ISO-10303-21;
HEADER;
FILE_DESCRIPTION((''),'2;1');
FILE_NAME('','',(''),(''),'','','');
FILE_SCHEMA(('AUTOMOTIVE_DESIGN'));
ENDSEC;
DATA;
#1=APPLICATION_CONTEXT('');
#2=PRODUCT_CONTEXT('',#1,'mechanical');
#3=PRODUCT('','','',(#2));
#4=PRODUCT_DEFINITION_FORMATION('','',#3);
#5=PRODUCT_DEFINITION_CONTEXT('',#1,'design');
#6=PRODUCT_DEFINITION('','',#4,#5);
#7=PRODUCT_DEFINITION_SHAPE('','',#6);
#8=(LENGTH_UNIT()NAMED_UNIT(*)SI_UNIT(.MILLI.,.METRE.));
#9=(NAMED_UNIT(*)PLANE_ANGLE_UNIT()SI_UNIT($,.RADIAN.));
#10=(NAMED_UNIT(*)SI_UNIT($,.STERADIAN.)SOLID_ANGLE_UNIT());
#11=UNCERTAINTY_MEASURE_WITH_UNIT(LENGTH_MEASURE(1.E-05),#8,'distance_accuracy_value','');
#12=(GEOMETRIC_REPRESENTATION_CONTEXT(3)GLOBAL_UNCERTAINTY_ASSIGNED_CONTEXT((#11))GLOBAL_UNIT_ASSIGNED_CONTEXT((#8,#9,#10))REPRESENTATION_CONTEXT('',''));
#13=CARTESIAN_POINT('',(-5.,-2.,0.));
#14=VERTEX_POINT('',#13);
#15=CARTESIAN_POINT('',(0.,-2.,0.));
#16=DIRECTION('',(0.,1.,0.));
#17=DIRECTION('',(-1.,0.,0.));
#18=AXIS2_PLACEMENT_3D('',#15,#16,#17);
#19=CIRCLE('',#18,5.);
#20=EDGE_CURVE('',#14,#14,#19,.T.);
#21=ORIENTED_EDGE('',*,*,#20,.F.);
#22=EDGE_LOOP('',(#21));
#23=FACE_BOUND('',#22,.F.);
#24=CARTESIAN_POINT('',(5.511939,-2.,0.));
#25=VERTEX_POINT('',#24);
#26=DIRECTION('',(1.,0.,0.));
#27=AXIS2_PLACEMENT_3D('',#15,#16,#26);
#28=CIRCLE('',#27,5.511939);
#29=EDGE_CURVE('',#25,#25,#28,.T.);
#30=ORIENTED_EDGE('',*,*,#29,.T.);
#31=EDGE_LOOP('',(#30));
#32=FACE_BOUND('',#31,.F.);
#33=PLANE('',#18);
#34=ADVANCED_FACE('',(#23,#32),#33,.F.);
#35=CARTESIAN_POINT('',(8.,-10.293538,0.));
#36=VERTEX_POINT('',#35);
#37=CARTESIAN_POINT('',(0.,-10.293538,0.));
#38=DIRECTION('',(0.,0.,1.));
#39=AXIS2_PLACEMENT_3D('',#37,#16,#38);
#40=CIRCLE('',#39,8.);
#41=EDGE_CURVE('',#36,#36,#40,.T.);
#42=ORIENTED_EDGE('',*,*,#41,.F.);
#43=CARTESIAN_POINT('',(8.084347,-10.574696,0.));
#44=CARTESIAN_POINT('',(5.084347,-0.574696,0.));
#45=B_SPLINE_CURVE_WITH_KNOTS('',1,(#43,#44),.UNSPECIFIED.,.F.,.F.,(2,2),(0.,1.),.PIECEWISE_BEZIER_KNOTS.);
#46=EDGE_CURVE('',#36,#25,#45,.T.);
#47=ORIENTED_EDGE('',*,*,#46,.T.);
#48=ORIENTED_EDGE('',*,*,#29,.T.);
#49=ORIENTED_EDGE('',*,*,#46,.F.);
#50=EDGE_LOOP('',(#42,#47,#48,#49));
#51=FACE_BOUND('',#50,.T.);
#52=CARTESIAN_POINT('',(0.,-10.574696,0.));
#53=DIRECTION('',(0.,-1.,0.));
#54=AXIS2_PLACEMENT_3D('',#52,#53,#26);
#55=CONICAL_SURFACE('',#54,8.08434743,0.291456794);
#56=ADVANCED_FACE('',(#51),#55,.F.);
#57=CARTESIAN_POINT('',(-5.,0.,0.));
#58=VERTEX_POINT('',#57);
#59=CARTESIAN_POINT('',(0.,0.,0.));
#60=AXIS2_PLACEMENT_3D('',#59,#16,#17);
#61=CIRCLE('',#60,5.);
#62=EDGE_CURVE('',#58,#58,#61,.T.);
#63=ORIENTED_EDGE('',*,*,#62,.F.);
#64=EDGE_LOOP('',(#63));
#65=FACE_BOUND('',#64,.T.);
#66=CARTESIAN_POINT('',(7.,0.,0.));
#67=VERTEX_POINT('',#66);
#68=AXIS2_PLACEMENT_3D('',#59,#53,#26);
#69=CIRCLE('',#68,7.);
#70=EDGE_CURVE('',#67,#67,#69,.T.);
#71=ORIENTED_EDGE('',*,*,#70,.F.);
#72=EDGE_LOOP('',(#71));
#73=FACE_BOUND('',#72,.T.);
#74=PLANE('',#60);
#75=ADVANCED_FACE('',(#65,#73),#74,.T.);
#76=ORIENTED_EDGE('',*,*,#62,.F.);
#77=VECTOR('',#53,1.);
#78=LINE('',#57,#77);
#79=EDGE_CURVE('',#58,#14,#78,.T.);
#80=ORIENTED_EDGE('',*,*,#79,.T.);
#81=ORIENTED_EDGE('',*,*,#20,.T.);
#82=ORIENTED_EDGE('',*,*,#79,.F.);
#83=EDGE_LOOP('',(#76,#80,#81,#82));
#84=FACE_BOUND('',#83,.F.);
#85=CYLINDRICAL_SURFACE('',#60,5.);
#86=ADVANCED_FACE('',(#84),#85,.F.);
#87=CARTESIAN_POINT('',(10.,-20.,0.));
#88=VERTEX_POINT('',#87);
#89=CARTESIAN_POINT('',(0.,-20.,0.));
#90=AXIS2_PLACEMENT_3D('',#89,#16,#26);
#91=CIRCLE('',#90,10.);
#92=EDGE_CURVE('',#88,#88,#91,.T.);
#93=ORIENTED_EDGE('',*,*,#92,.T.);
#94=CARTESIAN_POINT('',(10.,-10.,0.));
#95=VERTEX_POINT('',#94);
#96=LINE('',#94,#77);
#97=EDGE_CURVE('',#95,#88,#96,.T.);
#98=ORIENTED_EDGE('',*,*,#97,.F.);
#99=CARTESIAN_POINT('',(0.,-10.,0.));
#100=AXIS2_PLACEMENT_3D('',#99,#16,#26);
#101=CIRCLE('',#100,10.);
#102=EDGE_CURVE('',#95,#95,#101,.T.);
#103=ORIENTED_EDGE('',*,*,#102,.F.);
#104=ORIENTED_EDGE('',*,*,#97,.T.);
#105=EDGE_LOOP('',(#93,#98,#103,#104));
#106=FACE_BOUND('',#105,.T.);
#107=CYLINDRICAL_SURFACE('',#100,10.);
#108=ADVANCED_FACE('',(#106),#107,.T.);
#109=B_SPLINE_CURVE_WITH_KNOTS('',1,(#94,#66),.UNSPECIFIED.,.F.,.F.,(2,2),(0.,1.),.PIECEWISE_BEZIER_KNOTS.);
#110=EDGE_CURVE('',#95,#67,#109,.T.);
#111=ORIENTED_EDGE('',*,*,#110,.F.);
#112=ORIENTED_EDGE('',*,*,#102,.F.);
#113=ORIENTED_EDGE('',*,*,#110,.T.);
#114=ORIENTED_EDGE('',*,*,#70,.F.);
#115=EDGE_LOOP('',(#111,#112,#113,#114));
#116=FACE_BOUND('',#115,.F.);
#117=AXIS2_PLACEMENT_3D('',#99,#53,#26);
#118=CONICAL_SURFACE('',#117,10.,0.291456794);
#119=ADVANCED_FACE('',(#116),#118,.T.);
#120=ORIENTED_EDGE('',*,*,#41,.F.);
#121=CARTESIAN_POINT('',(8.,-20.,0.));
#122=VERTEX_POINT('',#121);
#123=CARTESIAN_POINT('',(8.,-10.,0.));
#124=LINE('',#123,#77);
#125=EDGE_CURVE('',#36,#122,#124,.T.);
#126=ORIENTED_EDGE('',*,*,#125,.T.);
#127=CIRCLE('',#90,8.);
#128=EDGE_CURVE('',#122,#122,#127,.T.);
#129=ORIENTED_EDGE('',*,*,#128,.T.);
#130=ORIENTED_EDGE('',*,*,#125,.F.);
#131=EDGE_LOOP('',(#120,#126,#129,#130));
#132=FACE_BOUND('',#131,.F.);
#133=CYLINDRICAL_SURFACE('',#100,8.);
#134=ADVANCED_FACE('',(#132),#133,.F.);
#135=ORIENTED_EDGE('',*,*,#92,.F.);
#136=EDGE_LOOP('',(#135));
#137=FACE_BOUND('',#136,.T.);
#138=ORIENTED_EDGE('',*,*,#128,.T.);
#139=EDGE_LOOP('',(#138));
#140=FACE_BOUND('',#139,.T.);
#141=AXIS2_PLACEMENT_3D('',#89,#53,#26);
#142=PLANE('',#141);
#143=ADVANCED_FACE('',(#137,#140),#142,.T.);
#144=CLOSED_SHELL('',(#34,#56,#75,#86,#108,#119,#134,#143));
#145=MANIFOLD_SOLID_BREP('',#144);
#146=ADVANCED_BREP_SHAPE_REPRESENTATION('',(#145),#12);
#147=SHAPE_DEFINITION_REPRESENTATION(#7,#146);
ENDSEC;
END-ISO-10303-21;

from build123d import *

# Parameters (mm, degrees)
F0_R       = 10
F1_DEPTH   = 10
F1_FACE1_R = 10
F2_R       = 7
F4_DEPTH   = 10
F5_T       = -2
F6_R       = 5
F7_DEPTH   = 2


with BuildPart() as f1:
    # F0 (on Front) → F1 (new body)
    with BuildSketch(Plane.XZ):
        Circle(F0_R)
    extrude(amount=F1_DEPTH)

    # F1_face1 (on face) → F3 section 0
    with BuildSketch(Plane.XZ.offset(10)):
        Circle(F1_FACE1_R)
    # F2 (on face) → F3 section 1
    with BuildSketch(Plane(origin=(0, 0, 0), x_dir=(-1, 0, 0), z_dir=(0, 1, 0))):
        Circle(F2_R)
    loft(mode=Mode.INTERSECT)

    # F4 (add): a face of the model
    f4_faces = [f1.faces().sort_by_distance(p)[0] for p in [
        (0, -10, 0),
    ]]
    extrude(f4_faces, amount=F4_DEPTH)

    # F5
    f5_openings = [f1.faces().sort_by_distance(p)[0] for p in [
        (0, -20, 0),
    ]]
    offset(amount=F5_T, openings=f5_openings)

    # F6 (on face) → F7 (cut)
    with BuildSketch(Plane(origin=(0, 0, 0), x_dir=(-1, 0, 0), z_dir=(0, 1, 0))):
        Circle(F6_R)
    extrude(amount=-F7_DEPTH, mode=Mode.SUBTRACT)


solid = f1.part
